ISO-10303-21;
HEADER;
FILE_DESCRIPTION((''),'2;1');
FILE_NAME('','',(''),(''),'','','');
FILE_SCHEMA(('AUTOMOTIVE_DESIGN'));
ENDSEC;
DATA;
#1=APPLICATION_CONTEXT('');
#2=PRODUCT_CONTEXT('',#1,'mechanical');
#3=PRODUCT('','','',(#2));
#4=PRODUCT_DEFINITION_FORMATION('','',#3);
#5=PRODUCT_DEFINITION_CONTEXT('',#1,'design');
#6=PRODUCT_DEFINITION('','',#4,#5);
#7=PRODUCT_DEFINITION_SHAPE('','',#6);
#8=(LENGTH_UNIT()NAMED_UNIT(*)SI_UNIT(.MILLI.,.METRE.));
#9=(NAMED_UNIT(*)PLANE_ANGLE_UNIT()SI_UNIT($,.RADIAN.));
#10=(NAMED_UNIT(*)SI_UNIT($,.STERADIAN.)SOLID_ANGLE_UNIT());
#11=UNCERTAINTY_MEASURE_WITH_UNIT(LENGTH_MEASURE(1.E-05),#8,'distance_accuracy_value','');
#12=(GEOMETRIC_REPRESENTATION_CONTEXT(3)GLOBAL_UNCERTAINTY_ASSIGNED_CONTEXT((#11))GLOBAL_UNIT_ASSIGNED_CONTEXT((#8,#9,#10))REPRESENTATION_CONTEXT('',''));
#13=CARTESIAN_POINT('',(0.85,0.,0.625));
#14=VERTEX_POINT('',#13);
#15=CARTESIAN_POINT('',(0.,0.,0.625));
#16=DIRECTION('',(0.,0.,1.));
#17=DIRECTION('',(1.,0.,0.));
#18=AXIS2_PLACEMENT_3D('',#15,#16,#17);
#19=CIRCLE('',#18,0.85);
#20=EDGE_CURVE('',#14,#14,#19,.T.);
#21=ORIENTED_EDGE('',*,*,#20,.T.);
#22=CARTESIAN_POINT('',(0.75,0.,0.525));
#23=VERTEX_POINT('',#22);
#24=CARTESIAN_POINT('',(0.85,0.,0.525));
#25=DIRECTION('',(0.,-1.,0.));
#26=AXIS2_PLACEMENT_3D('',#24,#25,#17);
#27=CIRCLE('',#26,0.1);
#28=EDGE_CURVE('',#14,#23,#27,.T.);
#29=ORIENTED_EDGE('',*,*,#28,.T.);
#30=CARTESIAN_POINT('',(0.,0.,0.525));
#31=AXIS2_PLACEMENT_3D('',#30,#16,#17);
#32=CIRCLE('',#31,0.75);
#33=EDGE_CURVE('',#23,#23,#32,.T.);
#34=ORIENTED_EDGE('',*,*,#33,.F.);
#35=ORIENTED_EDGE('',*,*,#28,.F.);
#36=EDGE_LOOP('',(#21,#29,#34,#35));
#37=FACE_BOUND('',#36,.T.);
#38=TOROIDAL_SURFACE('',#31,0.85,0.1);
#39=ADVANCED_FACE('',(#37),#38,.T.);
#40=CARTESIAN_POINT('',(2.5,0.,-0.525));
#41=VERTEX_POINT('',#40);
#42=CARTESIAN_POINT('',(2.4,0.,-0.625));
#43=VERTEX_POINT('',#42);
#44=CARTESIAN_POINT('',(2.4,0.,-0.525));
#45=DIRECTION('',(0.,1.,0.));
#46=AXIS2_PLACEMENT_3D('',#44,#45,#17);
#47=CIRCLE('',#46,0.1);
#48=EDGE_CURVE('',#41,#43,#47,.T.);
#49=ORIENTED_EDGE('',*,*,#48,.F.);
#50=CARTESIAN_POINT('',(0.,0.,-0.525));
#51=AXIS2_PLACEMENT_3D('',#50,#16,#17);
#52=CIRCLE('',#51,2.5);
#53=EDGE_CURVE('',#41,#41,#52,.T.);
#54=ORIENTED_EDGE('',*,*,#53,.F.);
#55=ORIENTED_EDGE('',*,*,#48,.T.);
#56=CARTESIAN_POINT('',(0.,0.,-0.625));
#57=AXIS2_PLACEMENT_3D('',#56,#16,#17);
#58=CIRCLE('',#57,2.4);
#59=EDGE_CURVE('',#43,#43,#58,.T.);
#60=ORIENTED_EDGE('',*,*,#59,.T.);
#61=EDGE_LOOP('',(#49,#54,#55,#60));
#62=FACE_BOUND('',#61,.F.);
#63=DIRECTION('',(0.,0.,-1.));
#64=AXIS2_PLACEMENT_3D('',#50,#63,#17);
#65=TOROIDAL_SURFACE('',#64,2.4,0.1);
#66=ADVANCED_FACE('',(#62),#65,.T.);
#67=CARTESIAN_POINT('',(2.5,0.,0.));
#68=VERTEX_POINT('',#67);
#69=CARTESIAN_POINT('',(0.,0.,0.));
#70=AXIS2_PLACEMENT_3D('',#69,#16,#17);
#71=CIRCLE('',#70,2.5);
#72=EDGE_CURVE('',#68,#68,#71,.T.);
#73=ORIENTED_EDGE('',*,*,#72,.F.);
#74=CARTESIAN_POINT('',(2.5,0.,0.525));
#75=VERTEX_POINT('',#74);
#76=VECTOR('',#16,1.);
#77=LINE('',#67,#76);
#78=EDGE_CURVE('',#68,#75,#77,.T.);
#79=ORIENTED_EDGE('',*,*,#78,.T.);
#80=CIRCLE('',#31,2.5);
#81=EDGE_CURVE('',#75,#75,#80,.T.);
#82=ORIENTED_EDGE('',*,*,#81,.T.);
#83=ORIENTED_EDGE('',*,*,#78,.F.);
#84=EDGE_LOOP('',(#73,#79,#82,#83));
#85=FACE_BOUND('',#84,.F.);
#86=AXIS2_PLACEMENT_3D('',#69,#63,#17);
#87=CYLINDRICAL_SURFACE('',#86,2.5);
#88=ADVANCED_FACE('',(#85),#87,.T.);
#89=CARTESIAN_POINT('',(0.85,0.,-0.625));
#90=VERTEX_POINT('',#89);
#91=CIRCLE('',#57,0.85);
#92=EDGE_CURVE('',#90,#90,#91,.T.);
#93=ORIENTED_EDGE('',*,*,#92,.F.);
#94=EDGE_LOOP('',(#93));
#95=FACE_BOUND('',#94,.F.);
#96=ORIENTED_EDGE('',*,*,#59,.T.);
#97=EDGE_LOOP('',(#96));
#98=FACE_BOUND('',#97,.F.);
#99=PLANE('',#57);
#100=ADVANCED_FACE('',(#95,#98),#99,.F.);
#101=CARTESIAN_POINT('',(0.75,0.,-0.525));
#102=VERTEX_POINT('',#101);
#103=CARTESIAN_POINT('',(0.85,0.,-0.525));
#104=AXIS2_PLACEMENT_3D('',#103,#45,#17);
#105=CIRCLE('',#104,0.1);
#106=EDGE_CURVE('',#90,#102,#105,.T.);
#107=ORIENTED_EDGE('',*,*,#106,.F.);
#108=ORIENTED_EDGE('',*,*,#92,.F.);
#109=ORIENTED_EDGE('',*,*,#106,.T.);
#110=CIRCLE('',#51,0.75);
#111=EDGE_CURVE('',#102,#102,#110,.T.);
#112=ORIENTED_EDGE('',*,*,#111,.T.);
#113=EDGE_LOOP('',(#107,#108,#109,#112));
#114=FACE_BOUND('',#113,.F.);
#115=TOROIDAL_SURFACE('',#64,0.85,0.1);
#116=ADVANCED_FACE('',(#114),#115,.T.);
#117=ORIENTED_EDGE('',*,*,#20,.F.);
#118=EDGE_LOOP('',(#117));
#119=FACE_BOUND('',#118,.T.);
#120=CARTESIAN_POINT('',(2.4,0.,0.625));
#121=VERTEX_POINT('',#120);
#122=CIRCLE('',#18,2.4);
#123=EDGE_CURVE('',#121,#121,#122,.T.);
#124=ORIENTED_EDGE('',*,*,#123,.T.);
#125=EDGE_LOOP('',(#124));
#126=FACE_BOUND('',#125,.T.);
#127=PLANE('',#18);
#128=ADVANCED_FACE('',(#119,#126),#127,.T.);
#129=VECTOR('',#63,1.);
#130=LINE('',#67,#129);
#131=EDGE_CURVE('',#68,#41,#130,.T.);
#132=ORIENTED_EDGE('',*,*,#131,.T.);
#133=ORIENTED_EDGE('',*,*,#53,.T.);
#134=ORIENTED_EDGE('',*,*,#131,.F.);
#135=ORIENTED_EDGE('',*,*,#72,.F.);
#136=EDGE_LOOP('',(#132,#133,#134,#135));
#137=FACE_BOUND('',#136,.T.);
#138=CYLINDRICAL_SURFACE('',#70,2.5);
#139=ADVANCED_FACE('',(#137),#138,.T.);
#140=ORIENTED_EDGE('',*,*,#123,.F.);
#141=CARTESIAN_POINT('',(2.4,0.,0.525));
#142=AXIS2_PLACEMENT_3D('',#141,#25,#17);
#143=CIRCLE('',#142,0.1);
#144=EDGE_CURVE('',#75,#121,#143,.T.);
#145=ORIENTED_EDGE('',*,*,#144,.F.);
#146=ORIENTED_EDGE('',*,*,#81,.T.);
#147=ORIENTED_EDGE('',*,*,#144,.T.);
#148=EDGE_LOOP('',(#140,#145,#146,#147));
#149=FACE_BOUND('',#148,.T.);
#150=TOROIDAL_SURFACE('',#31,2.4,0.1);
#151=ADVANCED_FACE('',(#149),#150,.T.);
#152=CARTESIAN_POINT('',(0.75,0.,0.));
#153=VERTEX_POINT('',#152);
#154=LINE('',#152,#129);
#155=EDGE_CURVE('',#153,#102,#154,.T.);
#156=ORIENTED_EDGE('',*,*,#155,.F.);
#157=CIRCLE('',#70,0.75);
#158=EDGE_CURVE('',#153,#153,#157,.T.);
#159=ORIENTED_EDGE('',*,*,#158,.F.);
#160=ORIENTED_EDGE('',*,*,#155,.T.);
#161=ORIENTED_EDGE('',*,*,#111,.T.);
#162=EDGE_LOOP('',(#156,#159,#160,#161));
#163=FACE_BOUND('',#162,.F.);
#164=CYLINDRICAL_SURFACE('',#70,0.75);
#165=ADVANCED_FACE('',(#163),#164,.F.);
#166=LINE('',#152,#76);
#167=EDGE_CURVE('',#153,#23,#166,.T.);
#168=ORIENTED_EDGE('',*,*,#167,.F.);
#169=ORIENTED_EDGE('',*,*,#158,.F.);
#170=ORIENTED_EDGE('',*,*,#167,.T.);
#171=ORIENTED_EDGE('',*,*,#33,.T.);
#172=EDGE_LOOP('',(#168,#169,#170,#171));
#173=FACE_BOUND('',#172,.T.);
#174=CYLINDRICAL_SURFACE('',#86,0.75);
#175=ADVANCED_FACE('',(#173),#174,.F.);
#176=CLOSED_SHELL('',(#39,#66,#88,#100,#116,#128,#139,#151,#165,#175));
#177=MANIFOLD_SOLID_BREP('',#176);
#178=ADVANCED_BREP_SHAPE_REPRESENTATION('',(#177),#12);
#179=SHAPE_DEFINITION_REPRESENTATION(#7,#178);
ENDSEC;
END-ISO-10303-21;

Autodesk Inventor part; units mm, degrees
ref_plane "YZ Plane" through (0, 0, 0) normal (1, 0, 0) x (0, 1, 0)
ref_plane "XZ Plane" through (0, 0, 0) normal (0, 1, 0) x (-1, 0, 0)
ref_plane "XY Plane" through (0, 0, 0) normal (0, 0, 1) x (1, 0, 0)
sketch "Skizze1" plane through (0, 0, 0) normal (0, 0, 1) x (1, 0, 0)
  circle A0 centre (0, 0) radius 0.75
  circle A1 centre (0, 0) radius 2.5
  dimension "d0" = 1.5
  dimension "d1" = 5
extrude "Extrusion1" add sketch "Skizze1" along normal mid plane 1.25
fillet "Rundung1" radius 0.1 4 edges at (-2.5, 0, 0.625) (-2.5, 0, -0.625) (-0.75, 0, 0.625) (-0.75, 0, -0.625)
properties part number "YTP-AP-E19-R1.0" material "Gummi"
